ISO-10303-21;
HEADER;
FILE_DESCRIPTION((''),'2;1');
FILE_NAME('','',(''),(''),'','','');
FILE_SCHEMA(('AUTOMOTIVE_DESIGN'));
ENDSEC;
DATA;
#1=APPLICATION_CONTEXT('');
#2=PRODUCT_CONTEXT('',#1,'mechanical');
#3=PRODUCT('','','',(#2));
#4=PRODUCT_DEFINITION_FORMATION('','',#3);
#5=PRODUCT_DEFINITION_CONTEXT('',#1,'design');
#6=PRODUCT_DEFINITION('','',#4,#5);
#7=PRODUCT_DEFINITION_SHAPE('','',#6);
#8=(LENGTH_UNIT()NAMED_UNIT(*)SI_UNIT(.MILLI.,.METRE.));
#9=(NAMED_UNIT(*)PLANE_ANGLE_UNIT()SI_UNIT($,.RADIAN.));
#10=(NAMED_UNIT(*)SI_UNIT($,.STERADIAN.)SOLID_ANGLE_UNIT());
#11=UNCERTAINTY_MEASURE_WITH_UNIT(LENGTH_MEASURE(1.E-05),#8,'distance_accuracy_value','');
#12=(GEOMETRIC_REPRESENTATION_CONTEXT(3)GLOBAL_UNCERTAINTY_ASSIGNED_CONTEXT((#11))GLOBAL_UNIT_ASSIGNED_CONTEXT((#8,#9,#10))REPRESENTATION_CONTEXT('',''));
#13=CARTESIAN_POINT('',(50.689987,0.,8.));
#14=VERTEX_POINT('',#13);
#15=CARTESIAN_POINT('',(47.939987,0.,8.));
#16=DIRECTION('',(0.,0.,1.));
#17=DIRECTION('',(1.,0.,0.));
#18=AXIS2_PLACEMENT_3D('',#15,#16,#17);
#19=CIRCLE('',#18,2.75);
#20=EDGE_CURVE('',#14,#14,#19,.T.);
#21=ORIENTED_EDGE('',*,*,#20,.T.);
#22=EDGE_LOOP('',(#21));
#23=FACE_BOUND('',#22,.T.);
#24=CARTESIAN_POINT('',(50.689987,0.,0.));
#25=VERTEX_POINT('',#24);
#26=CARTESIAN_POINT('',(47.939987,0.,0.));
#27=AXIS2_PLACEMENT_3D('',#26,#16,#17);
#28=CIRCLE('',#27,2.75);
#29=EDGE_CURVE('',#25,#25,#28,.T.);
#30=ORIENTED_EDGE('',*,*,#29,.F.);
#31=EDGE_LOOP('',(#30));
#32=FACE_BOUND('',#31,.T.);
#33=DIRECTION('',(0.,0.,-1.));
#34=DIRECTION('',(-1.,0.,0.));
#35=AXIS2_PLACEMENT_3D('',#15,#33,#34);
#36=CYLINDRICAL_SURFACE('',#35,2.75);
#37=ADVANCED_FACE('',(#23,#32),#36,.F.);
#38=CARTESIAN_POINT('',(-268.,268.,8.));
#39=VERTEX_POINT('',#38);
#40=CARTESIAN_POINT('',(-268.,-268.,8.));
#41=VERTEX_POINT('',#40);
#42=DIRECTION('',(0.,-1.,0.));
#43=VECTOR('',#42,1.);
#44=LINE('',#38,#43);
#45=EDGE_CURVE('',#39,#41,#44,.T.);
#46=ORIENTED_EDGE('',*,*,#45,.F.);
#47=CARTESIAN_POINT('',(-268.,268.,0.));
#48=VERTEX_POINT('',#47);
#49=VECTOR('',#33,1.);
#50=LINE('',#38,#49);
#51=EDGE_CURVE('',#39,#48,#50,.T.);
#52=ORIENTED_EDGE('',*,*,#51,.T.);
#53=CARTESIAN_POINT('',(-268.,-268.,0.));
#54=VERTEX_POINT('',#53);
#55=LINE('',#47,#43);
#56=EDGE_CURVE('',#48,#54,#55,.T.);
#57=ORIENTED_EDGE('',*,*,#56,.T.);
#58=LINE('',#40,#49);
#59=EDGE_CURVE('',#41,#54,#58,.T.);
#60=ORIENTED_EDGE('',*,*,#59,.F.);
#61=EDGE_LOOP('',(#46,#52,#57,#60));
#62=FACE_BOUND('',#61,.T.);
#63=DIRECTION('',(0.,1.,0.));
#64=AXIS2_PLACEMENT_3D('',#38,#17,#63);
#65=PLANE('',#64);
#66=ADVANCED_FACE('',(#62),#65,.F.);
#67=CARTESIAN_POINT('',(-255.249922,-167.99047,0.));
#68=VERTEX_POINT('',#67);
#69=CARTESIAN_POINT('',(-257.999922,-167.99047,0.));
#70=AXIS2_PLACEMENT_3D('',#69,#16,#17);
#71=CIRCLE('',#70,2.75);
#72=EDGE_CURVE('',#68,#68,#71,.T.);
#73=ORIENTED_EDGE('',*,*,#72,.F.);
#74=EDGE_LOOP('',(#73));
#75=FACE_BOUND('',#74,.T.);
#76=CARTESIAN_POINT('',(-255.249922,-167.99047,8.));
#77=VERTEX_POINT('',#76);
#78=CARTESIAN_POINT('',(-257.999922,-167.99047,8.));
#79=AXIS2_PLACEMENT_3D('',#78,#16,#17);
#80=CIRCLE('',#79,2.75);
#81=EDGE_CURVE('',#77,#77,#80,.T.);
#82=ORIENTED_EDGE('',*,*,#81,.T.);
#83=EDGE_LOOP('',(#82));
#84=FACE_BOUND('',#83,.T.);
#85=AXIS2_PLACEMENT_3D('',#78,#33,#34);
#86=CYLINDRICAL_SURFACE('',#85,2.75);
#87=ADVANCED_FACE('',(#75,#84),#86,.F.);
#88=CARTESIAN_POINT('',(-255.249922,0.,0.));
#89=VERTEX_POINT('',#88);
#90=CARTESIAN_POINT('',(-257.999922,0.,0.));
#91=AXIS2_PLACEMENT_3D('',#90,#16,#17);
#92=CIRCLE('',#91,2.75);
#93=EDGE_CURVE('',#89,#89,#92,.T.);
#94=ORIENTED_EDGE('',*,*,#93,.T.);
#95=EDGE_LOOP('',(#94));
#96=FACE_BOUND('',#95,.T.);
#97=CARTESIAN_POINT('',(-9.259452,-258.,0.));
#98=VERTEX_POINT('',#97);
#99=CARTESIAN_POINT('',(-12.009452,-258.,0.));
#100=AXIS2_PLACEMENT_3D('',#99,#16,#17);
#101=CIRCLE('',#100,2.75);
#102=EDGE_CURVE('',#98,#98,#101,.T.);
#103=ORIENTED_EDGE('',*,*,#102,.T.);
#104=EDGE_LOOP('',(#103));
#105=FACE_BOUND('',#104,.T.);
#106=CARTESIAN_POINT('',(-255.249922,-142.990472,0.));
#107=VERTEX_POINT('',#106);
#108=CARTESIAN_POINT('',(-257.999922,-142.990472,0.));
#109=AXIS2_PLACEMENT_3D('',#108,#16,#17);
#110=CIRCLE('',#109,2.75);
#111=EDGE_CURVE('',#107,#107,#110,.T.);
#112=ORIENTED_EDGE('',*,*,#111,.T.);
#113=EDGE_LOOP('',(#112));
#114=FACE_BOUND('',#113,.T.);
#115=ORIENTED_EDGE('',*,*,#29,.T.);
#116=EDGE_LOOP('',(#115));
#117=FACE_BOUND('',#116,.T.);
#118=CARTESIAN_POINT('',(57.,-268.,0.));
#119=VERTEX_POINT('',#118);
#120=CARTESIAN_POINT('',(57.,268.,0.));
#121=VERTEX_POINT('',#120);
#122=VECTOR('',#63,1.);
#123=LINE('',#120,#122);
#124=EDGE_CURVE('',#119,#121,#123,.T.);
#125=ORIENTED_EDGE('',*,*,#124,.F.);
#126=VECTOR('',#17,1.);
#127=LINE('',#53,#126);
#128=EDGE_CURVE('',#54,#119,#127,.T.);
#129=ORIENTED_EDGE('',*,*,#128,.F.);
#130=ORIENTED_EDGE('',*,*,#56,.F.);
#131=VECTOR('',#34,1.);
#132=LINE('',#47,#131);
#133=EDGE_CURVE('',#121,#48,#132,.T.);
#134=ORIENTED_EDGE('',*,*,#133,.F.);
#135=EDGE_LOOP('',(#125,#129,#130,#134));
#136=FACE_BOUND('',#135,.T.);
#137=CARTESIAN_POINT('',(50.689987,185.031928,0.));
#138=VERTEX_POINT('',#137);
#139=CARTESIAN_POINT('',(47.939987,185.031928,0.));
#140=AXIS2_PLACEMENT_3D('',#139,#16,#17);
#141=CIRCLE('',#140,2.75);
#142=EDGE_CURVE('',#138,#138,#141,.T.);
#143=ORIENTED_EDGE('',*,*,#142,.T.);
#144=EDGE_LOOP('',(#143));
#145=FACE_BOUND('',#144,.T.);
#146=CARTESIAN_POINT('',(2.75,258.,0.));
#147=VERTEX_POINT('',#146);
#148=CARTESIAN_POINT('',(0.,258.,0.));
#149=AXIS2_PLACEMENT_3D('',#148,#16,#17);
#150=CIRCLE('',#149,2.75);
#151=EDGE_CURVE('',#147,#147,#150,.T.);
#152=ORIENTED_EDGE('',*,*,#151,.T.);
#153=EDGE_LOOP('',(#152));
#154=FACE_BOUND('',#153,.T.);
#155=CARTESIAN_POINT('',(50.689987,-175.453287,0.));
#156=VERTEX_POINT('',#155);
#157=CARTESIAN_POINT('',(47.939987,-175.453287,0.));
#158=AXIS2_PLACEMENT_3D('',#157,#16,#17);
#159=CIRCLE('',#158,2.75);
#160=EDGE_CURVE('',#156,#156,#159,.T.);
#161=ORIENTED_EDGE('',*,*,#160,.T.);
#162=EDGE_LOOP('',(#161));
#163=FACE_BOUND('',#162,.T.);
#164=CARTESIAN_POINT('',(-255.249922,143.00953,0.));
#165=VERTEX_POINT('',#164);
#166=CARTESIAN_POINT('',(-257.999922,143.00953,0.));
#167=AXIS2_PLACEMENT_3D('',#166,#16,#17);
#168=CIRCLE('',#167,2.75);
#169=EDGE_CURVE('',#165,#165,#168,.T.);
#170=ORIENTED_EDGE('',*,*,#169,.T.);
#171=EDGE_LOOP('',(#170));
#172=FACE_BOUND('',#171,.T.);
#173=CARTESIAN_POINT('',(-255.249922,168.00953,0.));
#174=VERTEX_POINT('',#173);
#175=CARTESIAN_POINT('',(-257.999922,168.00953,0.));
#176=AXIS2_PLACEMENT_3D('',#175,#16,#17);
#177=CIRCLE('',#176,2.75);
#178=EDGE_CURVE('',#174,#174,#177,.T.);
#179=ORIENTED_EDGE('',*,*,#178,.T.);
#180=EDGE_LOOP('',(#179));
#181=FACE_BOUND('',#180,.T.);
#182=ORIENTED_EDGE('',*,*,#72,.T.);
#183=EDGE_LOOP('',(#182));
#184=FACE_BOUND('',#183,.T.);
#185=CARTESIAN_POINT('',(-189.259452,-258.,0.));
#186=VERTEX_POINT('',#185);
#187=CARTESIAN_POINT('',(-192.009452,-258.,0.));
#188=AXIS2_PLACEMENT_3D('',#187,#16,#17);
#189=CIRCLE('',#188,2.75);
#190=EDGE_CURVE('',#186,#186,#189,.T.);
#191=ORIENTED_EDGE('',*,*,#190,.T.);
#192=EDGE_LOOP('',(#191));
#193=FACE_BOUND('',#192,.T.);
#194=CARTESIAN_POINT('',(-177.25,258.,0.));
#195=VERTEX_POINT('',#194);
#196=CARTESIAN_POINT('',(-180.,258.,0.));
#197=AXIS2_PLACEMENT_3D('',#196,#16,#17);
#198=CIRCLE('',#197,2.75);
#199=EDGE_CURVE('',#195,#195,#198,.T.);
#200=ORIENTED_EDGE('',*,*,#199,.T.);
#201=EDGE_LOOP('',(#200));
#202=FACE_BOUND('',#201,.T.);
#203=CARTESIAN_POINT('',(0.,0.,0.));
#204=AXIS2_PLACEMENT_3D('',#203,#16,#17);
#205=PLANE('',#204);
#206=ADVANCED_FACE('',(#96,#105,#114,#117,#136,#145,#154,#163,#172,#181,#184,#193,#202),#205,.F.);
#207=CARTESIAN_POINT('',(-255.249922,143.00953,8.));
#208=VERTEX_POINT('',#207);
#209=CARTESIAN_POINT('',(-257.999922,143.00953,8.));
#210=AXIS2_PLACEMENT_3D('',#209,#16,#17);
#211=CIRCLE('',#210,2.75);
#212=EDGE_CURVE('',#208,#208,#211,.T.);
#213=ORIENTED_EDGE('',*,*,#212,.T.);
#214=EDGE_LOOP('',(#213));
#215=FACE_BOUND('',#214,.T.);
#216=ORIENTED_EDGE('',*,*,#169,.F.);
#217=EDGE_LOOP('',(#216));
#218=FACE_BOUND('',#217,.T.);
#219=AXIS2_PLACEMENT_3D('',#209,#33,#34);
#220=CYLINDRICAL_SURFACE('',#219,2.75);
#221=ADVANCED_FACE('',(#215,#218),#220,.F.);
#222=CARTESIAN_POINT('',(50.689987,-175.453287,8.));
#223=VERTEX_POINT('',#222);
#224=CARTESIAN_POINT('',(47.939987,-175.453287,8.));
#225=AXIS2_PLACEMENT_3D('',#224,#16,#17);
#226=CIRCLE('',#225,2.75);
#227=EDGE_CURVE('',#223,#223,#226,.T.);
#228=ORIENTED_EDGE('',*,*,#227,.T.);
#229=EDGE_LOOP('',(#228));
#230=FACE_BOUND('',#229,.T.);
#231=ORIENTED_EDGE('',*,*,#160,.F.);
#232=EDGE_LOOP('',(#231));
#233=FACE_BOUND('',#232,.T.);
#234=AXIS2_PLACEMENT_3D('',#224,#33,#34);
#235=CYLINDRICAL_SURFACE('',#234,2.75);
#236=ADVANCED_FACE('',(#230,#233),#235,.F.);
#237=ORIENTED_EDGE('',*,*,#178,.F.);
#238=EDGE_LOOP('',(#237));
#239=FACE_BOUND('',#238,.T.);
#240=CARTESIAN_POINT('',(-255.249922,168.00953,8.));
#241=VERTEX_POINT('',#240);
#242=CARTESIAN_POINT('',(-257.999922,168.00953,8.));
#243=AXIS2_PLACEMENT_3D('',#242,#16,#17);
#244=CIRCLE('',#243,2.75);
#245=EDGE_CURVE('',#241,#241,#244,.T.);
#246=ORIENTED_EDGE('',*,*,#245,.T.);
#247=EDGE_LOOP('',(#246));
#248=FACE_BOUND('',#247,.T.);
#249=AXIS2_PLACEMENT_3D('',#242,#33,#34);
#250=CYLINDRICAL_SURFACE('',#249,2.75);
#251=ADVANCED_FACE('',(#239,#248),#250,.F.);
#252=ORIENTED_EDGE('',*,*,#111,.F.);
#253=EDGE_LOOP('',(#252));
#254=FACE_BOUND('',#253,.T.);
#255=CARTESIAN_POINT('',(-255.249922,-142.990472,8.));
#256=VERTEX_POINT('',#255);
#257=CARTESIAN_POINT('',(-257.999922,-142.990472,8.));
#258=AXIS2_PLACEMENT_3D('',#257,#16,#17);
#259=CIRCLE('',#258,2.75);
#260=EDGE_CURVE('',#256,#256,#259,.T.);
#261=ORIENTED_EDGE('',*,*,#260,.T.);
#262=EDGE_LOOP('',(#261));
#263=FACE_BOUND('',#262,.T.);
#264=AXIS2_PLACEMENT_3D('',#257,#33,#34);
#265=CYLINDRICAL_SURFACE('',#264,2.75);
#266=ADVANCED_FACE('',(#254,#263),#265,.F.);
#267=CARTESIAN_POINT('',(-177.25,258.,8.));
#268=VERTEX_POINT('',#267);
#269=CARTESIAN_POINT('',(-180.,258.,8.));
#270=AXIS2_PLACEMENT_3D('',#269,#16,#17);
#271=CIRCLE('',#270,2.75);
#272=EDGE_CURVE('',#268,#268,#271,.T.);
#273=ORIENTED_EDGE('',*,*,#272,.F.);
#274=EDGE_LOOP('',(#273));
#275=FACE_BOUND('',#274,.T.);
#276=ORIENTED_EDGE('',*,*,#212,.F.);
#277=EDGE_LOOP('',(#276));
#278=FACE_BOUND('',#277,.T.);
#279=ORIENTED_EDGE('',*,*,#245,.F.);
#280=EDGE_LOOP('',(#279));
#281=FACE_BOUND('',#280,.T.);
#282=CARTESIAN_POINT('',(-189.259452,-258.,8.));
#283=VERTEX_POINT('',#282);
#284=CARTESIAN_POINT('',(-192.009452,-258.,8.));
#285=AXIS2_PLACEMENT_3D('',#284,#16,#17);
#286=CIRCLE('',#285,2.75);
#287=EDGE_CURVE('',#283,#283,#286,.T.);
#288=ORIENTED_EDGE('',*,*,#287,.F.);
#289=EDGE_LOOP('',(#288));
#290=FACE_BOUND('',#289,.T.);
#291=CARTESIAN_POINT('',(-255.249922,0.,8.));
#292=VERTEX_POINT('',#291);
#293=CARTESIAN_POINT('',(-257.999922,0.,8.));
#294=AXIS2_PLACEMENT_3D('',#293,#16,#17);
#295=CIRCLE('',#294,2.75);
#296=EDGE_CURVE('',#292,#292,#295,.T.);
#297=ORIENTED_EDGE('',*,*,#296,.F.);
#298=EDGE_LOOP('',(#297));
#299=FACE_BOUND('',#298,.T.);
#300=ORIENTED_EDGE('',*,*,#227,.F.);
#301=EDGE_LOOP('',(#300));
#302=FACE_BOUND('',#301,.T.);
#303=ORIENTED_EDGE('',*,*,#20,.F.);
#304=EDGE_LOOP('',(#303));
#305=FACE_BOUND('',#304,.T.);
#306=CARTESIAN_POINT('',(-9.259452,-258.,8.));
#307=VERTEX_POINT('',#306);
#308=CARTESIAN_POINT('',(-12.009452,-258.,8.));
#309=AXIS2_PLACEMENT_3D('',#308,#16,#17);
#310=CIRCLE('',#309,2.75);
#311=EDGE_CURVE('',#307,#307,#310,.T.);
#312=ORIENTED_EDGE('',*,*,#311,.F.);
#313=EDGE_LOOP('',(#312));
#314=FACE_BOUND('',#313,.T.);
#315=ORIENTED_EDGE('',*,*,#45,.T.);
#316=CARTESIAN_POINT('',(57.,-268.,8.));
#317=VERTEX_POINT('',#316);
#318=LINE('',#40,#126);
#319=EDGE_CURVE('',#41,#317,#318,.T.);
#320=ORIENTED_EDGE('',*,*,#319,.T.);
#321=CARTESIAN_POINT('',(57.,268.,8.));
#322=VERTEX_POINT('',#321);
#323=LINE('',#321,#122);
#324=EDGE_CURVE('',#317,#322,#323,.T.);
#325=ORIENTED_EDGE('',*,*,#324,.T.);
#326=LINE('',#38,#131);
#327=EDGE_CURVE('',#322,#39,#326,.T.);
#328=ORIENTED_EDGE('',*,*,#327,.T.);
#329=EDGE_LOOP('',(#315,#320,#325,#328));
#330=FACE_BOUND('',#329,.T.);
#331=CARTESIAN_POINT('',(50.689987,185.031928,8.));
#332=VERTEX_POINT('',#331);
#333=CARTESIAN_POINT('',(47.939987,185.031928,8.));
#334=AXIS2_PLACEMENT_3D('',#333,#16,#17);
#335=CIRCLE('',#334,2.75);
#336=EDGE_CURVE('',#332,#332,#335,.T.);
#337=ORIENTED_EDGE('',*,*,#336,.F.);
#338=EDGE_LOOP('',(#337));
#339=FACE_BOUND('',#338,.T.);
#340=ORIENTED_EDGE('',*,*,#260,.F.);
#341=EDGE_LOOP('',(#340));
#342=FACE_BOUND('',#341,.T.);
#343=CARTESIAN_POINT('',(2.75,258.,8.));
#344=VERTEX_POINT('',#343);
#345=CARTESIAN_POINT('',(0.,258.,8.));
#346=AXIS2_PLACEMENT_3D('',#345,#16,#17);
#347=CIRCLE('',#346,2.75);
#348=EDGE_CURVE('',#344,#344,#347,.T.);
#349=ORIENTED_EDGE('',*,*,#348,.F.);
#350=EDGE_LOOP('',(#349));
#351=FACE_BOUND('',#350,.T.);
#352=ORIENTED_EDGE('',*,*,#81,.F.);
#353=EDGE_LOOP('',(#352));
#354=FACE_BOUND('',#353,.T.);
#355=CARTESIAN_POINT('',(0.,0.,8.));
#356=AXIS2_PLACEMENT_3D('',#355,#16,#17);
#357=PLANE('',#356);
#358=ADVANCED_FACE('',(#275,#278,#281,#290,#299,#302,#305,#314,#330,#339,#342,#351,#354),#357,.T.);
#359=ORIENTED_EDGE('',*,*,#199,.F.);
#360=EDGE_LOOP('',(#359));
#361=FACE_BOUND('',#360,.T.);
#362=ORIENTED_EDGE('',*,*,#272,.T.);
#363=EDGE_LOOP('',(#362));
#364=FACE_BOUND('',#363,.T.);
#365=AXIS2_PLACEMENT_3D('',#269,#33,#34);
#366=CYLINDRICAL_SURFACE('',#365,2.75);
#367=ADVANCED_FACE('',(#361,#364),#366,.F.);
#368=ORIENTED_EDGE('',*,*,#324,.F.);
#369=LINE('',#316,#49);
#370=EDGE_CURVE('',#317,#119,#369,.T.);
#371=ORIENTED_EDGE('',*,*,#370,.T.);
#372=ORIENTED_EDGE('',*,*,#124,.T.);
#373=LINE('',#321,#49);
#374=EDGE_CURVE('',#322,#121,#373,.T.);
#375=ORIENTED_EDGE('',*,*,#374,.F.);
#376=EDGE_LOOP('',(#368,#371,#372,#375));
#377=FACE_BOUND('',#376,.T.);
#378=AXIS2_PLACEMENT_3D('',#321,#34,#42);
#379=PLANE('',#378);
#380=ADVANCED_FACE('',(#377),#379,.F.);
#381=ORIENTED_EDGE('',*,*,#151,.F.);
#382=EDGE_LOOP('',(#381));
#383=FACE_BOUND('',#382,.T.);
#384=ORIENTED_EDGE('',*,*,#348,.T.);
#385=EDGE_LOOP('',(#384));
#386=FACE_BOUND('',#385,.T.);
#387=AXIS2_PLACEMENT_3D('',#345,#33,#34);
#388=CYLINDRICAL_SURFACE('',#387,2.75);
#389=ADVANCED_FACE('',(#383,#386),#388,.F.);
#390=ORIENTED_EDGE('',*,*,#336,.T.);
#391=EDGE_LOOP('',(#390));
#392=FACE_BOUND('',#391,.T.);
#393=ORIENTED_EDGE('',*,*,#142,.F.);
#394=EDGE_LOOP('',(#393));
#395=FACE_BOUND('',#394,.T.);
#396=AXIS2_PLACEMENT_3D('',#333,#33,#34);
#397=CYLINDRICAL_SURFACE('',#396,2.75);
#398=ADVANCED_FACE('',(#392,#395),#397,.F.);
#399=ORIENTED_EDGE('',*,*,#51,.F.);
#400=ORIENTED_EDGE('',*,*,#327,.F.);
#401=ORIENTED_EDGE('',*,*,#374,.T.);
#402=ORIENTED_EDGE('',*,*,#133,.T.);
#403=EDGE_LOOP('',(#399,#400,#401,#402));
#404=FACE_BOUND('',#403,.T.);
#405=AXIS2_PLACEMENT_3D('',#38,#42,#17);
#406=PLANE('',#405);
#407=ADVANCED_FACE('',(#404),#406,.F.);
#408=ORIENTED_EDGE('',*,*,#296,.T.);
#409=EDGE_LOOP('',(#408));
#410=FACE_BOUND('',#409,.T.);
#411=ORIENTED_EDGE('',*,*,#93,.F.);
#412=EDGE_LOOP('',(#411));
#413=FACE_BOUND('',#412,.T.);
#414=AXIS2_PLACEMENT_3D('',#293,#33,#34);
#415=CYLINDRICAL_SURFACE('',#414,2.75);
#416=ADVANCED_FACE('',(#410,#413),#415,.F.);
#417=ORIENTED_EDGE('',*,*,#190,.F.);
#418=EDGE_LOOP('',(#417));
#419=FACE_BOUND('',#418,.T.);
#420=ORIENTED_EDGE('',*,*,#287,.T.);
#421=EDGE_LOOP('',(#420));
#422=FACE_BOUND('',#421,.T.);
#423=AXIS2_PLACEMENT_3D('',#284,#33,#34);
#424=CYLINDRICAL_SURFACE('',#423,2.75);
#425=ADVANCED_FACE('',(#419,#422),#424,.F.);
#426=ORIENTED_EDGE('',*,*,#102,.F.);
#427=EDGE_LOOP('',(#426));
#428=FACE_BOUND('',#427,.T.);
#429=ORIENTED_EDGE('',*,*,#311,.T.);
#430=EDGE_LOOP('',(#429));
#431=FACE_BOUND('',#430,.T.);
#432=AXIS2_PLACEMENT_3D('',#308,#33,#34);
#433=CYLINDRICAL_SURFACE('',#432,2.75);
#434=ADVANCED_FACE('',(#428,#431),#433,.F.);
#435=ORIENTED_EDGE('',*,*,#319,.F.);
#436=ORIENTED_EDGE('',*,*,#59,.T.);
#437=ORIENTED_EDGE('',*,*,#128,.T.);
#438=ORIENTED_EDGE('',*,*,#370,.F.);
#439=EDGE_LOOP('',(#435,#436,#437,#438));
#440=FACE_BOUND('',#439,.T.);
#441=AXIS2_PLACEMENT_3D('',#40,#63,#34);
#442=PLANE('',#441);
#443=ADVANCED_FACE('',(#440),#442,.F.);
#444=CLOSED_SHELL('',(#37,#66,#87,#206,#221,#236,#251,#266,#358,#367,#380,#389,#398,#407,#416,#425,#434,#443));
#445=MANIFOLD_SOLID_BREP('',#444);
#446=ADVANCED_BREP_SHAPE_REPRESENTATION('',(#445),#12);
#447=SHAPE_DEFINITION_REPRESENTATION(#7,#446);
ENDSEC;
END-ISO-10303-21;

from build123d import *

# Parameters (mm, degrees)
SKETCH1_W           = 325.000000395
SKETCH1_H           = 536
SKETCH1_R           = 2.75
SKETCH1_R_2         = 2.749999922
SKETCH1_R_3         = 2.749999896
BOSS_EXTRUDE1_DEPTH = 8


with BuildPart() as part:
    # Sketch1 → Boss-Extrude1 (new body)
    with BuildSketch(Plane.XY):
        with Locations((-105.499999802, 0)):
            Rectangle(SKETCH1_W, SKETCH1_H)
        with Locations((0, 258)):
            Circle(SKETCH1_R, mode=Mode.SUBTRACT)
        with Locations((-180, 258)):
            Circle(SKETCH1_R, mode=Mode.SUBTRACT)
        with Locations((47.939987334, 0)):
            Circle(SKETCH1_R, mode=Mode.SUBTRACT)
        with Locations((47.939987334, 185.031928087)):
            Circle(SKETCH1_R, mode=Mode.SUBTRACT)
        with Locations((47.939987334, -175.453286577)):
            Circle(SKETCH1_R, mode=Mode.SUBTRACT)
        with Locations((-12.009451925, -258)):
            Circle(SKETCH1_R, mode=Mode.SUBTRACT)
        with Locations((-192.009451925, -258)):
            Circle(SKETCH1_R, mode=Mode.SUBTRACT)
        with Locations((-257.999921928, 0)):
            Circle(SKETCH1_R, mode=Mode.SUBTRACT)
        with Locations((-257.999921928, -167.990470003)):
            Circle(SKETCH1_R, mode=Mode.SUBTRACT)
        with Locations((-257.999921928, 168.009529997)):
            Circle(SKETCH1_R, mode=Mode.SUBTRACT)
        with Locations((-257.999921928, 143.009529997)):
            Circle(SKETCH1_R_2, mode=Mode.SUBTRACT)
        with Locations((-257.999921928, -142.990471748)):
            Circle(SKETCH1_R_3, mode=Mode.SUBTRACT)
    extrude(amount=BOSS_EXTRUDE1_DEPTH)


solid = part.part
